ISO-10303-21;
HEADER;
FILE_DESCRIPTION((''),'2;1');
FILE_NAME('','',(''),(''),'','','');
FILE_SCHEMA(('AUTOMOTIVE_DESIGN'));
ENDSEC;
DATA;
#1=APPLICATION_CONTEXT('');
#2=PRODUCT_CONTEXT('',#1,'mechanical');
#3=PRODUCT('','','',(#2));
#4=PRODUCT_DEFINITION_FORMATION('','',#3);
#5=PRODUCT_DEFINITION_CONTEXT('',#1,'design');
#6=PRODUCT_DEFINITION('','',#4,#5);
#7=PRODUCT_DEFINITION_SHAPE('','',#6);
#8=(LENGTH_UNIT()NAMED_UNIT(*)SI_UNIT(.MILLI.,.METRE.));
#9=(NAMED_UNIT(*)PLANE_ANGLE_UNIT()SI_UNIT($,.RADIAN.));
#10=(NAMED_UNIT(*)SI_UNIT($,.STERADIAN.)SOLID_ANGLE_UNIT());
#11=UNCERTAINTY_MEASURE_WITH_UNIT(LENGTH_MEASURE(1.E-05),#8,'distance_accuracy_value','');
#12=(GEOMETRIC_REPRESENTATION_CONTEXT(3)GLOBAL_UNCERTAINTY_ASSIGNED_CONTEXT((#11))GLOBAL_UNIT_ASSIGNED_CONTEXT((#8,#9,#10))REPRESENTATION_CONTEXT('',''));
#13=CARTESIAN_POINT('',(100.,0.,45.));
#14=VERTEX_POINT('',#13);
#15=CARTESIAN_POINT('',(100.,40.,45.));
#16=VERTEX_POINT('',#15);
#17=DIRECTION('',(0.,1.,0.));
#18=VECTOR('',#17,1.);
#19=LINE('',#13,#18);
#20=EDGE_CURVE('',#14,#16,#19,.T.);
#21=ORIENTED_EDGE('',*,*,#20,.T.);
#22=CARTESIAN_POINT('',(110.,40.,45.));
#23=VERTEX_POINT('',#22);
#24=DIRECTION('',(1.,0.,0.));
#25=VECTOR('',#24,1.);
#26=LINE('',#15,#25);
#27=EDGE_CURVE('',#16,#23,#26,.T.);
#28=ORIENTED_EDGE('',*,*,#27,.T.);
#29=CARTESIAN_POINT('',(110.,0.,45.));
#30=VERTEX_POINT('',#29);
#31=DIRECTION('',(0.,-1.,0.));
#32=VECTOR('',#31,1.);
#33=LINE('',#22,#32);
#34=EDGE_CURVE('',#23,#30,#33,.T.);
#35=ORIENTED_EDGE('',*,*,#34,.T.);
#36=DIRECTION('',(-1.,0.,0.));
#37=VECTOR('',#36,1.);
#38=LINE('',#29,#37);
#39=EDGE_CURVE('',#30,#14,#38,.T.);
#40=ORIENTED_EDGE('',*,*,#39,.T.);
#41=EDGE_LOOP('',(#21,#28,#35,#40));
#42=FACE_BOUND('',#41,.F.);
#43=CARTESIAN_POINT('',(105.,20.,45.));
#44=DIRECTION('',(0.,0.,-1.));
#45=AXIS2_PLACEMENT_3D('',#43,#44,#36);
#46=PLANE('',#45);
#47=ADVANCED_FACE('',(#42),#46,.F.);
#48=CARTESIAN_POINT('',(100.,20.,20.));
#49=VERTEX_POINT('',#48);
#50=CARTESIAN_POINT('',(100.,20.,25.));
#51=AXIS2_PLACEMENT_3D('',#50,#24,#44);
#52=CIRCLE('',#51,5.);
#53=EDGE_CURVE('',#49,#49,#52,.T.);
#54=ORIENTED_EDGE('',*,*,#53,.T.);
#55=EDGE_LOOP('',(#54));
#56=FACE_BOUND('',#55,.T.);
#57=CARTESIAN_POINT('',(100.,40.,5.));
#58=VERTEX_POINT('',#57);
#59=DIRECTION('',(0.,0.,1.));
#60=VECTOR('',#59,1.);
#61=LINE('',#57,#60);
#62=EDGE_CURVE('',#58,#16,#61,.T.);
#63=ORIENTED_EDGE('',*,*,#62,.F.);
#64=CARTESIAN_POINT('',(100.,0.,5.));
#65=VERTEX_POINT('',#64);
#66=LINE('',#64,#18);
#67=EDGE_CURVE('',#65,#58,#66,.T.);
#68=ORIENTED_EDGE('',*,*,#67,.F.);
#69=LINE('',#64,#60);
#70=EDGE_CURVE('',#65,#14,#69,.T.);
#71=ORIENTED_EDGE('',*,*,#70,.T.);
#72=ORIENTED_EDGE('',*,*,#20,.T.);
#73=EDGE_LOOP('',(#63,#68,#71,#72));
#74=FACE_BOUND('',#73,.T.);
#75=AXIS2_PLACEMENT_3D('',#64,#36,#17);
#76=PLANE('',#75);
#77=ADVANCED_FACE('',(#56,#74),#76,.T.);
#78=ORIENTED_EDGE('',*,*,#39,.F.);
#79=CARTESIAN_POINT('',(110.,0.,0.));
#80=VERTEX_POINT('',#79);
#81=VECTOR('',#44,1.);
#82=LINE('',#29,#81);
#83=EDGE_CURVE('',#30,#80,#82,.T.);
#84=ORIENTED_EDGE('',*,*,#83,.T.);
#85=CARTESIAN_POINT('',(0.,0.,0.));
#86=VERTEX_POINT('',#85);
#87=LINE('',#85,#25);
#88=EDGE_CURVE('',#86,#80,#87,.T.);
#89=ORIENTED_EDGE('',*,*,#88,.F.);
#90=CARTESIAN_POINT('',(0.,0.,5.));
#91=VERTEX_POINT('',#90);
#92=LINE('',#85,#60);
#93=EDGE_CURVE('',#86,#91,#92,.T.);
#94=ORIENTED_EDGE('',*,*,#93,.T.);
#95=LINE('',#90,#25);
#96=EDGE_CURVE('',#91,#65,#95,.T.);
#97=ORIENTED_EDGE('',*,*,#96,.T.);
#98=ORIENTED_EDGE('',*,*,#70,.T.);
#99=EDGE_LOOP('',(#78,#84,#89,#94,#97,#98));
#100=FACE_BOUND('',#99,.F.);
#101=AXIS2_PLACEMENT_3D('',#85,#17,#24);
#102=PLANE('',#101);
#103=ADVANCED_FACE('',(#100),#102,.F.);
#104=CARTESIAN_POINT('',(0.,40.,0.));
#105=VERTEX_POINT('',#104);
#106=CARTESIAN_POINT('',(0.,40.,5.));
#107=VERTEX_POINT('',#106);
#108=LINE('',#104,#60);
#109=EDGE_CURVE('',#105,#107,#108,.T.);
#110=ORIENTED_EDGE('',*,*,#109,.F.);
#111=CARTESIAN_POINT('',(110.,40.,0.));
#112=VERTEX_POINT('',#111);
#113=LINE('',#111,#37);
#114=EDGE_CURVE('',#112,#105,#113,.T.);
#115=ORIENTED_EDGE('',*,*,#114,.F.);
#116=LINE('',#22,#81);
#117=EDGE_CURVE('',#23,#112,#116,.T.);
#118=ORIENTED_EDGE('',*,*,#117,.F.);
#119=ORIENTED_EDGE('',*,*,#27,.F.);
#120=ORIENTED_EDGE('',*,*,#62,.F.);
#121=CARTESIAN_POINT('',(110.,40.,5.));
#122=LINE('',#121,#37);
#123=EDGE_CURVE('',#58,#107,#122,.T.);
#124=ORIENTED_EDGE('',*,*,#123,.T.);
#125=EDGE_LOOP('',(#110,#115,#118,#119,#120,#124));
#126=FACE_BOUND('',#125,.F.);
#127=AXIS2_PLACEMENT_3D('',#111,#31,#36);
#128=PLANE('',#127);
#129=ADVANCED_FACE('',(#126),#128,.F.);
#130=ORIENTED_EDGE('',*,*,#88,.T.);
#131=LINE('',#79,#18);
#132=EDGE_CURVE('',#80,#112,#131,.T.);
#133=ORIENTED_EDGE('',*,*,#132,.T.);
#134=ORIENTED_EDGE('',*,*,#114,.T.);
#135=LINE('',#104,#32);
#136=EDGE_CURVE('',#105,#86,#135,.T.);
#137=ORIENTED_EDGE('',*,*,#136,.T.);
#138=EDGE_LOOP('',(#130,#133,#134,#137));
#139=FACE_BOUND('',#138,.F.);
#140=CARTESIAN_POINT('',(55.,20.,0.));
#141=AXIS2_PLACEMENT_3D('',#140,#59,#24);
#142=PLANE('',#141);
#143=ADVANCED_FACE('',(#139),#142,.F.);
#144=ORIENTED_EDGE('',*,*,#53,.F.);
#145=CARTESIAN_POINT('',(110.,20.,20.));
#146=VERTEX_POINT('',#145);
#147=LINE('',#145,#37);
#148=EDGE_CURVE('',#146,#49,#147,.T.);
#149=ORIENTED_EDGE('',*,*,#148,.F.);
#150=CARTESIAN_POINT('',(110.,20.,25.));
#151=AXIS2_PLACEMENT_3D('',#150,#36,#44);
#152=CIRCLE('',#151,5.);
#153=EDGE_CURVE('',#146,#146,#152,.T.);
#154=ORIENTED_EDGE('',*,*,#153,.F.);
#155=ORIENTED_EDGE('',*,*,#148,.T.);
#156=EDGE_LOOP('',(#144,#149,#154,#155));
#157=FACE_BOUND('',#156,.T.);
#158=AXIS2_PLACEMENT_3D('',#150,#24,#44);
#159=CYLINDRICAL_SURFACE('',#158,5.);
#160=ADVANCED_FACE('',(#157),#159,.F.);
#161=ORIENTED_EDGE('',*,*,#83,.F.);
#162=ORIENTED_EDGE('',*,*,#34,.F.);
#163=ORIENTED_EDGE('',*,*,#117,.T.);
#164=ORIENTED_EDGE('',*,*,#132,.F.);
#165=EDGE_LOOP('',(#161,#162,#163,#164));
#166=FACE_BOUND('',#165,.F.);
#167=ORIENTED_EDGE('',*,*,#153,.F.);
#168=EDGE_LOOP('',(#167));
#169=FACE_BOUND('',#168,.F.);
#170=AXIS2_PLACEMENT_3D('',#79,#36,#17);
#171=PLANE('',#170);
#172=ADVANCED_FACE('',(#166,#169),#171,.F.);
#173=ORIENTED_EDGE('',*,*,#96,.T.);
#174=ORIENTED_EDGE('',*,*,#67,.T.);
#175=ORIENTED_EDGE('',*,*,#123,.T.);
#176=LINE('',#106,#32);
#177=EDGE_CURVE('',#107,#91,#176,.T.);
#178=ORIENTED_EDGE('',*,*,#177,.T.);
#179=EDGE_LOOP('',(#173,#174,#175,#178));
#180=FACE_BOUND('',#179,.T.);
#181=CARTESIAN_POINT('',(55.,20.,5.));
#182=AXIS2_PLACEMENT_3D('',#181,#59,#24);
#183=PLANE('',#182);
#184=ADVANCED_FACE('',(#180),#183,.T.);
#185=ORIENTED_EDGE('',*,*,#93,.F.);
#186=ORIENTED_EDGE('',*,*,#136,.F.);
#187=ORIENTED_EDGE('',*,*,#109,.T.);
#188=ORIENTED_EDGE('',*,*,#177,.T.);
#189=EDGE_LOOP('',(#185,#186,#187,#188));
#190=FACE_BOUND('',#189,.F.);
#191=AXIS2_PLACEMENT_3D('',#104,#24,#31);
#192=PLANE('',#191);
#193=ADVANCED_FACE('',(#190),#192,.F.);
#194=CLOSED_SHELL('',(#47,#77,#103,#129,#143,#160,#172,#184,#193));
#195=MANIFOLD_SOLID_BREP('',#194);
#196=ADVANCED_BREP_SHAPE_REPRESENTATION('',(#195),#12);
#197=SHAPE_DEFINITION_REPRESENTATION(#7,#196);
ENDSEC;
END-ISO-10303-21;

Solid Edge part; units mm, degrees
sketch "Sketch1" plane through (0, 0, 0) normal (0, 0, 1) x (1, 0, 0)
  line L0 (110, 40) -> (0, 40)
  line L1 (0, 40) -> (0, 0)
  line L2 (0, 0) -> (110, 0)
  line L3 (110, 0) -> (110, 40)
extrude "Protrusion1" add sketch "Sketch1" along normal blind 5
sketch "Sketch2" plane through (60, 20, 5) normal (0, 0, 1) x (1, 0, 0)
  line L0 (40, -20) -> (40, 20)
  line L1 (40, 20) -> (50, 20)
  line L2 (50, 20) -> (50, -20)
  line L3 (50, -20) -> (40, -20)
extrude "Extrusionsausprägung_2" add sketch "Sketch2" along normal blind 40
hole "Bohrung_1" at (110, 20, 25) direction (-1, 0, 0) diameter 10 end up to next
